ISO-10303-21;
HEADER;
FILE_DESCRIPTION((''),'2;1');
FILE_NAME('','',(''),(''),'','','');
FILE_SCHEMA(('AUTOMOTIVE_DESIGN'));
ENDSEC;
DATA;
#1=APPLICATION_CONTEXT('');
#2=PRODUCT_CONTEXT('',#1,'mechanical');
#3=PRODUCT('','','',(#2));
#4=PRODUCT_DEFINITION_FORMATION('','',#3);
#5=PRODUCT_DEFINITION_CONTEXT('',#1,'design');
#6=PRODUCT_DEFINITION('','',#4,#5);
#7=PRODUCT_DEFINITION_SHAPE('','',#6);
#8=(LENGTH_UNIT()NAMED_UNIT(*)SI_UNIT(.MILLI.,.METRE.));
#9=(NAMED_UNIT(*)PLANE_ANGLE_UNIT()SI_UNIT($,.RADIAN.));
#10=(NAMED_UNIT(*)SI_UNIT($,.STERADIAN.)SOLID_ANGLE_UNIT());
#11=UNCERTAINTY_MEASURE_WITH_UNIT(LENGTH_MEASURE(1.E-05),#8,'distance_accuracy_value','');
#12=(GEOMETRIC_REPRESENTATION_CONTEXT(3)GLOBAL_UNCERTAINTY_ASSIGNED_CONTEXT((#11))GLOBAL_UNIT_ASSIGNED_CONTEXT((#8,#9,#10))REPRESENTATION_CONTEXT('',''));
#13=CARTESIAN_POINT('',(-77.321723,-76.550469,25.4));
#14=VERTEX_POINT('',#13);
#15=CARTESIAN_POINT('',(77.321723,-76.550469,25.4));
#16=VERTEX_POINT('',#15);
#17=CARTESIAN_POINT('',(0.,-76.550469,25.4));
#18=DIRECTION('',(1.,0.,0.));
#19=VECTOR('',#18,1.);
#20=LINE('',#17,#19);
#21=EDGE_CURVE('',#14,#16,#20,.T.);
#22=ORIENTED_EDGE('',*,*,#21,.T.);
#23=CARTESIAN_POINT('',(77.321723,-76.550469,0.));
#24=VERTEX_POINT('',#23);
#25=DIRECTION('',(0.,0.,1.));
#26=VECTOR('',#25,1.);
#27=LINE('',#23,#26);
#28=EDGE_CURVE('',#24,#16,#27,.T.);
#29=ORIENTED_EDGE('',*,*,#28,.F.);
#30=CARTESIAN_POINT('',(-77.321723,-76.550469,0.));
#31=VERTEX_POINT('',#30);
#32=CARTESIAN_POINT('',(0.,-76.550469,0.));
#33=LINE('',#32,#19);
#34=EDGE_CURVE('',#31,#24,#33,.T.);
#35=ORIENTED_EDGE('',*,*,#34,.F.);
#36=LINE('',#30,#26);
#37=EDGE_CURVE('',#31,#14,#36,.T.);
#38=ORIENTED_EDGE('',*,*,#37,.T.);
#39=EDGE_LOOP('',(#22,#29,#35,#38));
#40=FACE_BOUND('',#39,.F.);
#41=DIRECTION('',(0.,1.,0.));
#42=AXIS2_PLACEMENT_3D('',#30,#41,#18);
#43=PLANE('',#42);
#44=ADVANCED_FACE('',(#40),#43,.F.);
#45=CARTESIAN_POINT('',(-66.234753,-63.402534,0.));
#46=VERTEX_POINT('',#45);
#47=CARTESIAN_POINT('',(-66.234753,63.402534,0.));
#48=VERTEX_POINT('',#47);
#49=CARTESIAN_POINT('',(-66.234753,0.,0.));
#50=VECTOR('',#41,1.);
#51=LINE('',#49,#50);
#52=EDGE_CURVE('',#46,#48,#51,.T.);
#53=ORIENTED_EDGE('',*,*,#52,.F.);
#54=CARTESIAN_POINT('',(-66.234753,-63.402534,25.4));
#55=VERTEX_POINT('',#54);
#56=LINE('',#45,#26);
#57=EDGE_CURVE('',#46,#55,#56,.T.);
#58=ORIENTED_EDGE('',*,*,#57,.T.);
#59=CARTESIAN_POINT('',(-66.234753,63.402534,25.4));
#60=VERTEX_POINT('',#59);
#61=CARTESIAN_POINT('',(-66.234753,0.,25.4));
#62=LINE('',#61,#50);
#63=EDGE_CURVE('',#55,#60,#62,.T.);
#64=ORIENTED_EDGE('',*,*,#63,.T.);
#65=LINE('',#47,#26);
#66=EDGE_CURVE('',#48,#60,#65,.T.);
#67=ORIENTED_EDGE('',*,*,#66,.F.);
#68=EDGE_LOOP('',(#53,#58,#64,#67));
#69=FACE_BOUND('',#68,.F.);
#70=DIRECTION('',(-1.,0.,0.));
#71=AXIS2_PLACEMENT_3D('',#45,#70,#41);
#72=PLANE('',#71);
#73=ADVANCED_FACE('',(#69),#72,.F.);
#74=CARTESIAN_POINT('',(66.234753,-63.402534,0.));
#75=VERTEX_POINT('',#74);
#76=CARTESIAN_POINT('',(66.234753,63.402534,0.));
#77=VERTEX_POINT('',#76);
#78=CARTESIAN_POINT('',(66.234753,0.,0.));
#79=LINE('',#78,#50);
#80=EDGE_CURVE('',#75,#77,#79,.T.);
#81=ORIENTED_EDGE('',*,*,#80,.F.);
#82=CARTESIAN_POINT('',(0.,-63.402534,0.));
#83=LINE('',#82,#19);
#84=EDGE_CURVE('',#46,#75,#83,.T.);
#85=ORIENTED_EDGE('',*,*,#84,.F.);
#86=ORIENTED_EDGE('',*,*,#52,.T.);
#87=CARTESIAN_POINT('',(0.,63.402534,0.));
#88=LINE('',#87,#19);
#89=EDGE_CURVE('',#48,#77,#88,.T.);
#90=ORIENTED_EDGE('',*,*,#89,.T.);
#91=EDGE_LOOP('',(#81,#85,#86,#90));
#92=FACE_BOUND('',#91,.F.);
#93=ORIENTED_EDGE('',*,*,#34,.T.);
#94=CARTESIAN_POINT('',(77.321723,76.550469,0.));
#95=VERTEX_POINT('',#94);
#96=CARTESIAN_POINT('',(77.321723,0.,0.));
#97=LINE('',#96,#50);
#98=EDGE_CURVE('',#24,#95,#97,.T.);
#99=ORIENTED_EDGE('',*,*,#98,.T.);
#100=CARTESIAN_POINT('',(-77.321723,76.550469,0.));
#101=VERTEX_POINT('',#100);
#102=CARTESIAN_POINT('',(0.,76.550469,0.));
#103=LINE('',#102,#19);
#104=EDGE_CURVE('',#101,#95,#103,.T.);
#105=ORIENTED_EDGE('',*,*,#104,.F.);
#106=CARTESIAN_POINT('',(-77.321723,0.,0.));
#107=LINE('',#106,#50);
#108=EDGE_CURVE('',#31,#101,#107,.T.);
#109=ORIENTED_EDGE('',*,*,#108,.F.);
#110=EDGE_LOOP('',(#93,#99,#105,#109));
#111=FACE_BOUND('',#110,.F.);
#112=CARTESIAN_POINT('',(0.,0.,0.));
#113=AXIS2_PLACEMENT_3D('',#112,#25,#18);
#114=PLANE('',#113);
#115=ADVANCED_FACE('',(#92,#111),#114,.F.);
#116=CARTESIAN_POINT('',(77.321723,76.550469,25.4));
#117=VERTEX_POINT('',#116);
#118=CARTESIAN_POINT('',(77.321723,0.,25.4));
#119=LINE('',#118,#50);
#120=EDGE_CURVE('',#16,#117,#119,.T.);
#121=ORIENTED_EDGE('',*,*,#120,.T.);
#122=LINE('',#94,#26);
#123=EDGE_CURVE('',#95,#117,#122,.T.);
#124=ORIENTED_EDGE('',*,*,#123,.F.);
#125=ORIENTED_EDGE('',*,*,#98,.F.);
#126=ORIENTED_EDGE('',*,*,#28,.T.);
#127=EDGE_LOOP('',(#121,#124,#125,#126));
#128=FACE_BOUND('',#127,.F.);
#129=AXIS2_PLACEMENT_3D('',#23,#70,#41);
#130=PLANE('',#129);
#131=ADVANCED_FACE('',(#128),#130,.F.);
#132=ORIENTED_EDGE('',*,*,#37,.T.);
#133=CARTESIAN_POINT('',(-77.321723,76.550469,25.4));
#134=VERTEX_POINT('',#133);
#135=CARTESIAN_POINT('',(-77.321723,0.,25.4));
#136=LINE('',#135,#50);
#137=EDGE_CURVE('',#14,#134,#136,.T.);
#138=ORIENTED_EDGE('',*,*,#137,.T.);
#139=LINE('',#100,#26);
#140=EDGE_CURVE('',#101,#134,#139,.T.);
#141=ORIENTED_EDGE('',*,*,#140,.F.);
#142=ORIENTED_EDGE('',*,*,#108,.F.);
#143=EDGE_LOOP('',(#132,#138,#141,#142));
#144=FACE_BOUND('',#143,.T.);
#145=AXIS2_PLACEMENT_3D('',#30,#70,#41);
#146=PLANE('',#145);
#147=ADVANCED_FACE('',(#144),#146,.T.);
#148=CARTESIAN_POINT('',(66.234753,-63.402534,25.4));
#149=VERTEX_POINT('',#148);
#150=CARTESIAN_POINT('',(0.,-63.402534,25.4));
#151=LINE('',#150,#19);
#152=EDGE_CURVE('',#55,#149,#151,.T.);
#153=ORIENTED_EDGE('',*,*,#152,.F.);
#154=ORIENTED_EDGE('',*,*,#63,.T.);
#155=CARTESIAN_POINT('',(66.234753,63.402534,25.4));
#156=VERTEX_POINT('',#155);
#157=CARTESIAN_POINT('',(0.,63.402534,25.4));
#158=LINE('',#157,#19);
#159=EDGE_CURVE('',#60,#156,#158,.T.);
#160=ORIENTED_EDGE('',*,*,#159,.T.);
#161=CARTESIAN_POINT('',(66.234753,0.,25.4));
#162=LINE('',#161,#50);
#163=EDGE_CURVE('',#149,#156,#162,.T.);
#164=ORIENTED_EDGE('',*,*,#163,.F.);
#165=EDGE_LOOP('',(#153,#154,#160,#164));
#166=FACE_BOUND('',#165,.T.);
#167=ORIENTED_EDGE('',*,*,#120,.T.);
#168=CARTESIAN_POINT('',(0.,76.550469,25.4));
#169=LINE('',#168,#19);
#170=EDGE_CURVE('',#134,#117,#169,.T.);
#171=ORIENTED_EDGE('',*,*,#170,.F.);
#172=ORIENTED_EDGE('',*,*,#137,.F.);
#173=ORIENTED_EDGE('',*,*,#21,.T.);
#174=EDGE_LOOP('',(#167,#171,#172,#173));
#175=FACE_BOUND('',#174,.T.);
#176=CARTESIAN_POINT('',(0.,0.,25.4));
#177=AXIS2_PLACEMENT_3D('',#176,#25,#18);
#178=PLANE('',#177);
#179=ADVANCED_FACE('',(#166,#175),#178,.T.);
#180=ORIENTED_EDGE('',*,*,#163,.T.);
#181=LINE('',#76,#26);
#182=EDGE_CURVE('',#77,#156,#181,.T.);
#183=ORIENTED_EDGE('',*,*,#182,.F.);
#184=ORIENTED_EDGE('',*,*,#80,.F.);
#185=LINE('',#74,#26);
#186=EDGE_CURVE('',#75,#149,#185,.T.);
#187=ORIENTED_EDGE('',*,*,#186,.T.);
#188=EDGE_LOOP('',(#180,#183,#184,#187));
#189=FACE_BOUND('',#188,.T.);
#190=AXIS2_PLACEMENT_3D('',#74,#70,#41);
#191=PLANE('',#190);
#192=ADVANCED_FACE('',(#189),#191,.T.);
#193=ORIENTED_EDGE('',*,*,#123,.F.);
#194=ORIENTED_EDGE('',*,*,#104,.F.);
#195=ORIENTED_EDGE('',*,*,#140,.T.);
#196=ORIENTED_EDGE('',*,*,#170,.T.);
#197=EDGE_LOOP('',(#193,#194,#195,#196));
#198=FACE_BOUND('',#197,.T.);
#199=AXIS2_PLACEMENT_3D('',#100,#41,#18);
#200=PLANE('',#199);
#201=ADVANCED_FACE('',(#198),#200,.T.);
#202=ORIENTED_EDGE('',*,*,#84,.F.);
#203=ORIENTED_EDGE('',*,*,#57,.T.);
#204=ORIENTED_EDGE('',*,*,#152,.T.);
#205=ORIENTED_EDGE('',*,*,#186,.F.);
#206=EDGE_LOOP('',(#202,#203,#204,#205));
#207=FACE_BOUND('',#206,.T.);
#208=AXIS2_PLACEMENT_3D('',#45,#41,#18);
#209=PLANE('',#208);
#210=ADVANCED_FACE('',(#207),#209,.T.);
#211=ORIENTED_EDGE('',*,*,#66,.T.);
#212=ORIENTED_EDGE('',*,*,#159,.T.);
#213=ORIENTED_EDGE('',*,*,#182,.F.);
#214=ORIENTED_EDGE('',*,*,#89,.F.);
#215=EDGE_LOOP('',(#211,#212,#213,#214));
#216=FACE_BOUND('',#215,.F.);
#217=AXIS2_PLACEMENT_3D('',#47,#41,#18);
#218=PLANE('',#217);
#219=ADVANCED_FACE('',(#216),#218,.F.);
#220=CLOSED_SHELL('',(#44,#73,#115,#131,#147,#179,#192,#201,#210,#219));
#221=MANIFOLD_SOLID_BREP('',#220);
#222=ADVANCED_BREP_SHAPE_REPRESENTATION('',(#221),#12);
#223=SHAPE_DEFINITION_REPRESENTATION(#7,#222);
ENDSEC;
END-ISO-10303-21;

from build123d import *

# Parameters (mm, degrees)
F1_W     = 154.643446
F1_H     = 153.100938
F1_W_2   = 132.469506
F1_H_2   = 126.805068
F2_DEPTH = 25.4


with BuildPart() as f2:
    # F1 (on face) → F2 (new body)
    with BuildSketch(Plane.XY):
        Rectangle(F1_W, F1_H)
        Rectangle(F1_W_2, F1_H_2, mode=Mode.SUBTRACT)
    extrude(amount=F2_DEPTH)


solid = f2.part
